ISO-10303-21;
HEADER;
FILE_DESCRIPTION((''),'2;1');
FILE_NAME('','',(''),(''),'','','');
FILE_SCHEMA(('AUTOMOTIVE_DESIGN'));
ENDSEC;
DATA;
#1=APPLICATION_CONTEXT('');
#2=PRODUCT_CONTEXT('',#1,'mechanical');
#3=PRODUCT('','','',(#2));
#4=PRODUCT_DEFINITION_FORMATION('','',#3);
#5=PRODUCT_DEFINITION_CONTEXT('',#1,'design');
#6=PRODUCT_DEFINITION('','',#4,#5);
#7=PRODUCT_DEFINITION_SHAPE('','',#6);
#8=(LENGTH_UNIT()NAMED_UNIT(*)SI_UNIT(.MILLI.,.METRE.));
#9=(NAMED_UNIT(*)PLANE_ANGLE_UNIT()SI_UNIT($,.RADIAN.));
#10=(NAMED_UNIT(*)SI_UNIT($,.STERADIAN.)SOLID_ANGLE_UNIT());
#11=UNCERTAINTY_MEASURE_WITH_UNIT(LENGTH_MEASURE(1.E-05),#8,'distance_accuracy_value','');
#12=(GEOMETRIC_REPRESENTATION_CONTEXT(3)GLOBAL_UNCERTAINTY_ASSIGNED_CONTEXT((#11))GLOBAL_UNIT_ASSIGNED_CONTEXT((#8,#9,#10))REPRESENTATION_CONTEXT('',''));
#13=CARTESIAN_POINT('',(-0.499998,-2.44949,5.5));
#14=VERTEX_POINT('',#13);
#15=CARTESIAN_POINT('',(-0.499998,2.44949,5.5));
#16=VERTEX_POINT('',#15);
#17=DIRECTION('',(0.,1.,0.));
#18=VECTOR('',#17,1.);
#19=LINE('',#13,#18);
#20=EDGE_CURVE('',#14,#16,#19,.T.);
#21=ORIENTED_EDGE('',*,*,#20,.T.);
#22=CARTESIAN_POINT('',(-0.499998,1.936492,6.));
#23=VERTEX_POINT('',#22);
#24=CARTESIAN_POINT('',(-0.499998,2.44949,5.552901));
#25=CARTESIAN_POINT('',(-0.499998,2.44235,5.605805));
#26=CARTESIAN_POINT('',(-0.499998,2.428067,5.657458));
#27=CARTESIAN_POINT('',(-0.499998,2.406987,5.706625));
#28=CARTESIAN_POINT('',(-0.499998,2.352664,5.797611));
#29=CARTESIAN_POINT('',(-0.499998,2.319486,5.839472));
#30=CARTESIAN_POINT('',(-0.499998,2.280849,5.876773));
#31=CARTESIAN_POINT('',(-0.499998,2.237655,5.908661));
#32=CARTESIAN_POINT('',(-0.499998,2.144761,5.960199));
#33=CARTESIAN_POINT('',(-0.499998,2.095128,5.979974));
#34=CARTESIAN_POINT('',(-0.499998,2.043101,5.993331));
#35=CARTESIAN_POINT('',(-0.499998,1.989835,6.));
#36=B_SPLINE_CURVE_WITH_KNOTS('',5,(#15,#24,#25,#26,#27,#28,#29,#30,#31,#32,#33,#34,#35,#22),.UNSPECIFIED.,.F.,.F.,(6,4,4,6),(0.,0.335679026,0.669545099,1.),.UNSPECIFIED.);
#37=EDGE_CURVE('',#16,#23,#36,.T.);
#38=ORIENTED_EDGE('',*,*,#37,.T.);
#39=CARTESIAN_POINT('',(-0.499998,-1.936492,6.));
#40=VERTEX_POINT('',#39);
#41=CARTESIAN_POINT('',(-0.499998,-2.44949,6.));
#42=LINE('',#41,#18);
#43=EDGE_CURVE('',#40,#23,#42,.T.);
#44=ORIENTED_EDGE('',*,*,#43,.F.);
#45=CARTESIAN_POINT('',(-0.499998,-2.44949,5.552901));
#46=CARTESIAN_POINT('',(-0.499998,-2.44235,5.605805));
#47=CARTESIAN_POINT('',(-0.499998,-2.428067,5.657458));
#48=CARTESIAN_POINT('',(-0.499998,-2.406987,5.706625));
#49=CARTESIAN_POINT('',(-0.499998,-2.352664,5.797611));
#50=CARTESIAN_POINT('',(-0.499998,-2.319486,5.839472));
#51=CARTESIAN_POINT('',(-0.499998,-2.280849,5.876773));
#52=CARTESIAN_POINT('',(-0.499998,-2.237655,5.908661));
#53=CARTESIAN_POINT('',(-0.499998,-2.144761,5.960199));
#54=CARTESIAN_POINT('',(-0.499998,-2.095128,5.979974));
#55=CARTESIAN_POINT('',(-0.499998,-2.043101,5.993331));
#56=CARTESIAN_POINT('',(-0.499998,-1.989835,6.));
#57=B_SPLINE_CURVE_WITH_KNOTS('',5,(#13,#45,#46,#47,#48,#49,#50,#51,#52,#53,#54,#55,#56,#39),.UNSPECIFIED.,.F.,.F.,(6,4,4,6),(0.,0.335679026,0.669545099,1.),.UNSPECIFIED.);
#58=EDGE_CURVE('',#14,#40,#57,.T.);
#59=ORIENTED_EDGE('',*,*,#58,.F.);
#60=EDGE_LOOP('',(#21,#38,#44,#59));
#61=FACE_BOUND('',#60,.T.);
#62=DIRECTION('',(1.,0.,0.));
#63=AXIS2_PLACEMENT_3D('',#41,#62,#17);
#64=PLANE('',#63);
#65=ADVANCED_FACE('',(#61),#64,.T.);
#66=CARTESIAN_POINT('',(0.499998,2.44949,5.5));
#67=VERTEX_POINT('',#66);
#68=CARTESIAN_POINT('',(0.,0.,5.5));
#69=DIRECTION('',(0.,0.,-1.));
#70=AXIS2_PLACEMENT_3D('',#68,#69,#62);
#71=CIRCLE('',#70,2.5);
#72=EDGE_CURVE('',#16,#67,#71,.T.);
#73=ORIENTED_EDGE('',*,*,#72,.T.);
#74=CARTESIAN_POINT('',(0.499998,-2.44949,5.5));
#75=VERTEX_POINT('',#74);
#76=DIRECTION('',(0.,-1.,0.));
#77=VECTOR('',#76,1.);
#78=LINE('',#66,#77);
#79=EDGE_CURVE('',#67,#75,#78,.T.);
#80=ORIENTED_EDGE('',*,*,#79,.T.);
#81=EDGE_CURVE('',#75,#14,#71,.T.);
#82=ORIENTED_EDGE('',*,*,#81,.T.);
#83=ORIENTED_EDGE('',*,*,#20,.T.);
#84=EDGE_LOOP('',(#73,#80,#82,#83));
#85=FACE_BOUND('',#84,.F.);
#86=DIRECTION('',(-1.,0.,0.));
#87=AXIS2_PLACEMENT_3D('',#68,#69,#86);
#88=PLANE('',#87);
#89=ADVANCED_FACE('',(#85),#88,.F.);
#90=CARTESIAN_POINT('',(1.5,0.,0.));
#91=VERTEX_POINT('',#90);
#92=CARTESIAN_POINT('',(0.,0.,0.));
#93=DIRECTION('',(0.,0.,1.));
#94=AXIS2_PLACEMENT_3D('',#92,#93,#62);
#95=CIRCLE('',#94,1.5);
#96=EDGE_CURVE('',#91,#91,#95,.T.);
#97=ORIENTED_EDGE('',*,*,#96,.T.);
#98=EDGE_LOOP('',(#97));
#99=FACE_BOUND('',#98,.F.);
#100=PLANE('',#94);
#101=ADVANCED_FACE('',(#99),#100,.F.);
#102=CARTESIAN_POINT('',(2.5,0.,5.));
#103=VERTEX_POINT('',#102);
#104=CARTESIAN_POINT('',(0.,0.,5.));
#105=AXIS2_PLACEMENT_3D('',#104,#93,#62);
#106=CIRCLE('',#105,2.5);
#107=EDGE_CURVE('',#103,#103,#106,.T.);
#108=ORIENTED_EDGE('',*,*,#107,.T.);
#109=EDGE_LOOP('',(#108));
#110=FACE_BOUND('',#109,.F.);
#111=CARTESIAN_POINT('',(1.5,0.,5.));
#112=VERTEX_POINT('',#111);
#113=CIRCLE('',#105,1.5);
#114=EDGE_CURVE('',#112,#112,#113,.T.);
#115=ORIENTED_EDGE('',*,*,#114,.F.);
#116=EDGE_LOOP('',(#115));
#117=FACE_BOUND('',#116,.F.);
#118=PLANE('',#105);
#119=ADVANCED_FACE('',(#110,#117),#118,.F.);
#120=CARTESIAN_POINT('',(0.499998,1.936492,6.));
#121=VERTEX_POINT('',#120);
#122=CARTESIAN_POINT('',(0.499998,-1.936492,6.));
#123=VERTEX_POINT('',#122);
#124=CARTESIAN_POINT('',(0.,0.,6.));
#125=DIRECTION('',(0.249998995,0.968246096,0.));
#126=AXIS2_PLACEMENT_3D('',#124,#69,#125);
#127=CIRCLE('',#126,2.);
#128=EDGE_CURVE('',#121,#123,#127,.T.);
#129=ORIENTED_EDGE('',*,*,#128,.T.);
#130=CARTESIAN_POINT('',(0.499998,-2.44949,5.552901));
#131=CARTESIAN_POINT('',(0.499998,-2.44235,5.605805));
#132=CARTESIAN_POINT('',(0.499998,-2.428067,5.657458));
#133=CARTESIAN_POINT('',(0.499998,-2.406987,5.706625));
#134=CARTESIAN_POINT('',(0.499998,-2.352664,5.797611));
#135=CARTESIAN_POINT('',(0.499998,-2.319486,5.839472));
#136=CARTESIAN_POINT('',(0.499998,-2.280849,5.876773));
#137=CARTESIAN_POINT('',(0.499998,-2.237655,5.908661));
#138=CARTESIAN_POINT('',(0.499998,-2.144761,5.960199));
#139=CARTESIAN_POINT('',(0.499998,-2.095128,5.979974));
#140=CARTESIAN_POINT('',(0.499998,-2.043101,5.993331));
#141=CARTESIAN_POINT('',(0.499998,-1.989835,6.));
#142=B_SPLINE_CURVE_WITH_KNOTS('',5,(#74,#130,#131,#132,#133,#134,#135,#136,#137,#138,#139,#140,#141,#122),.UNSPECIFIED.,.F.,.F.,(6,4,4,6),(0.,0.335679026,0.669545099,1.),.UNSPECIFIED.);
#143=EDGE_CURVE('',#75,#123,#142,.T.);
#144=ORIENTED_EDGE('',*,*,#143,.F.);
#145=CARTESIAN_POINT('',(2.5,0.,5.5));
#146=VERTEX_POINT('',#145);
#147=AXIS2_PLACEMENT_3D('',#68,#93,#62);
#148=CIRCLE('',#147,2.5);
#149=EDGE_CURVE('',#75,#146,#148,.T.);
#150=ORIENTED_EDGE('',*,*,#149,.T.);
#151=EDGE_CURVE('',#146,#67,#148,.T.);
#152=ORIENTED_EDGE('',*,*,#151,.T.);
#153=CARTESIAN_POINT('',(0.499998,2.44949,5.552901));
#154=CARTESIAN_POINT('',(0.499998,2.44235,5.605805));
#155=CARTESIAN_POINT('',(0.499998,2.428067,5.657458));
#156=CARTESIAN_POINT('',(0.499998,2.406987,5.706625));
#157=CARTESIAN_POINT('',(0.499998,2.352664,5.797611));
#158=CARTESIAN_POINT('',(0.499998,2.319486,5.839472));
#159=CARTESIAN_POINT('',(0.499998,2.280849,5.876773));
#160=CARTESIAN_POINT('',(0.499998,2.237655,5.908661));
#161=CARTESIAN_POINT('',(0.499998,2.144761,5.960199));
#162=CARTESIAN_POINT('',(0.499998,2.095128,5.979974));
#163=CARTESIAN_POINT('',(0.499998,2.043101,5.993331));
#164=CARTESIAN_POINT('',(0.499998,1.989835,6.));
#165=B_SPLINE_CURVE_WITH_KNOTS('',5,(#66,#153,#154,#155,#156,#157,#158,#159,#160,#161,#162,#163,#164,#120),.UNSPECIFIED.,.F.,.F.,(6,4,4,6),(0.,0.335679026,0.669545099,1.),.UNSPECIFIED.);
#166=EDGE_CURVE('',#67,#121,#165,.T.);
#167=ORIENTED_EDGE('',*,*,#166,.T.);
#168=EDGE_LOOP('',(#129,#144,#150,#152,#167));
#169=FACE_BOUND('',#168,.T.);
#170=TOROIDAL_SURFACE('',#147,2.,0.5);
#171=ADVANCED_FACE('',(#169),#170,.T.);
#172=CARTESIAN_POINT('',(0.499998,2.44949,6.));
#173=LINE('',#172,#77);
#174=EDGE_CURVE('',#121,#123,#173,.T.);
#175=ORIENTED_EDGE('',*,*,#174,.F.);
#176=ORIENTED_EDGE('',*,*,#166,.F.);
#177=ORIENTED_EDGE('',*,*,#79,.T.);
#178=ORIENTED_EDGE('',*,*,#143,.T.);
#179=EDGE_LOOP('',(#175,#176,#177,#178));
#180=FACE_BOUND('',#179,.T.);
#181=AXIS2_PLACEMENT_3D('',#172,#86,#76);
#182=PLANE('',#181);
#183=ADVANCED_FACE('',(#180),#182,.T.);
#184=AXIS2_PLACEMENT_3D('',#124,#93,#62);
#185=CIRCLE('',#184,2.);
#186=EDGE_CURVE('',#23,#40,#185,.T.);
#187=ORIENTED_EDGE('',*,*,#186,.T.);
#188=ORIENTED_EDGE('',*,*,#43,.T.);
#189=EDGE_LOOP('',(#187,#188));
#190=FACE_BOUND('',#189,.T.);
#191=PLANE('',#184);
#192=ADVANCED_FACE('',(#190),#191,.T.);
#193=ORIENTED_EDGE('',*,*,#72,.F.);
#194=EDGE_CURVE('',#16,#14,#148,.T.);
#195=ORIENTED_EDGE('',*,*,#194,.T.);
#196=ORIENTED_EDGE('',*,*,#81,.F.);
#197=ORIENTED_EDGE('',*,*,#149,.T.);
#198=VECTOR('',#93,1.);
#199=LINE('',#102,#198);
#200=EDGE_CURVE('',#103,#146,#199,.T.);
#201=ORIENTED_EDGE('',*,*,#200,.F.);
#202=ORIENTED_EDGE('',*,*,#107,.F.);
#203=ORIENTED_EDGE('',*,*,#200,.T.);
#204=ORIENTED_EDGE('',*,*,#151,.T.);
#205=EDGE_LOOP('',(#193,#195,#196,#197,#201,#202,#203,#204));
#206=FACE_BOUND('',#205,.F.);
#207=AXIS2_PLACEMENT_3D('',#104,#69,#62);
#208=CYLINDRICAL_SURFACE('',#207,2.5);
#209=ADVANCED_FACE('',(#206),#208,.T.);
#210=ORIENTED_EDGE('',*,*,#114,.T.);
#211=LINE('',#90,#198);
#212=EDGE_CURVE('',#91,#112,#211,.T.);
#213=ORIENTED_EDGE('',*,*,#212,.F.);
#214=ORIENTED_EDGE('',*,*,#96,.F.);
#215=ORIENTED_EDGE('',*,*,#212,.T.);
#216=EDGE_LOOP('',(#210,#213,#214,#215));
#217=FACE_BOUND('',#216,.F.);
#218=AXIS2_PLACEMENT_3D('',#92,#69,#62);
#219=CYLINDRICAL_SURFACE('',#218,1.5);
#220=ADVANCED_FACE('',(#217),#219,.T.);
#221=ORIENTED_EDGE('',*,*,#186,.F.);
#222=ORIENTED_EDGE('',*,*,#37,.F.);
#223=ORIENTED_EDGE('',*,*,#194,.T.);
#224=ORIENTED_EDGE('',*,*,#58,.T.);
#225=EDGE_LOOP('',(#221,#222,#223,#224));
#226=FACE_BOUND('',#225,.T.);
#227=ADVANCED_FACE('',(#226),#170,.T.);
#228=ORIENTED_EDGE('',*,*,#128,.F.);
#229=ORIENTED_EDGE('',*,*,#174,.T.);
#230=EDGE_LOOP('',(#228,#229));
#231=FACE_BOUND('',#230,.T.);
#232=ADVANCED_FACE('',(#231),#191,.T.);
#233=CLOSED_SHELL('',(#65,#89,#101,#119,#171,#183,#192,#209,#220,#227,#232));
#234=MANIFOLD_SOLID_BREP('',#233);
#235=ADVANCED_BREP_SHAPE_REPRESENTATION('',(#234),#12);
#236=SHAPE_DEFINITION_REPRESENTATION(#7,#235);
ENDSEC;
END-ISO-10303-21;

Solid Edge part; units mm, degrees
sketch "Sketch1" plane through (0, 0, 0) normal (0, 0, 1) x (1, 0, 0)
  circle A0 centre (0, 0) radius 1.5
  dimension "D1" = 3
extrude "Protrusion1" add sketch "Sketch1" along normal blind 5
sketch "Sketch2" plane through (0, 0, 5) normal (0, 0, 1) x (1, 0, 0)
  circle A0 centre (0, 0) radius 2.5
  dimension "D1" = 5
extrude "Head" add sketch "Sketch2" along normal blind 1
fillet "Round___Head" radius 0.5 1 edges at (-2.5, 0, 6)
sketch "Sketch3" plane through (0, 0, 6) normal (0, 0, 1) x (1, 0, 0)
  line L0 (-0.5, -2.4495) -> (-0.5, 2.4495)
  line L1 (0.5, 2.4495) -> (0.5, -2.4495)
  arc A0 (0.5, -2.4495) -> (-0.5, -2.4495) centre (0, 0) cw
  arc A1 (-0.5, 2.4495) -> (0.5, 2.4495) centre (0, 0) cw
extrude "Cutout___Head" cut sketch "Sketch3" against normal blind 0.5
cosmetic_thread "Thread1" size "M3"
properties material "Stainless Steel, 420"
